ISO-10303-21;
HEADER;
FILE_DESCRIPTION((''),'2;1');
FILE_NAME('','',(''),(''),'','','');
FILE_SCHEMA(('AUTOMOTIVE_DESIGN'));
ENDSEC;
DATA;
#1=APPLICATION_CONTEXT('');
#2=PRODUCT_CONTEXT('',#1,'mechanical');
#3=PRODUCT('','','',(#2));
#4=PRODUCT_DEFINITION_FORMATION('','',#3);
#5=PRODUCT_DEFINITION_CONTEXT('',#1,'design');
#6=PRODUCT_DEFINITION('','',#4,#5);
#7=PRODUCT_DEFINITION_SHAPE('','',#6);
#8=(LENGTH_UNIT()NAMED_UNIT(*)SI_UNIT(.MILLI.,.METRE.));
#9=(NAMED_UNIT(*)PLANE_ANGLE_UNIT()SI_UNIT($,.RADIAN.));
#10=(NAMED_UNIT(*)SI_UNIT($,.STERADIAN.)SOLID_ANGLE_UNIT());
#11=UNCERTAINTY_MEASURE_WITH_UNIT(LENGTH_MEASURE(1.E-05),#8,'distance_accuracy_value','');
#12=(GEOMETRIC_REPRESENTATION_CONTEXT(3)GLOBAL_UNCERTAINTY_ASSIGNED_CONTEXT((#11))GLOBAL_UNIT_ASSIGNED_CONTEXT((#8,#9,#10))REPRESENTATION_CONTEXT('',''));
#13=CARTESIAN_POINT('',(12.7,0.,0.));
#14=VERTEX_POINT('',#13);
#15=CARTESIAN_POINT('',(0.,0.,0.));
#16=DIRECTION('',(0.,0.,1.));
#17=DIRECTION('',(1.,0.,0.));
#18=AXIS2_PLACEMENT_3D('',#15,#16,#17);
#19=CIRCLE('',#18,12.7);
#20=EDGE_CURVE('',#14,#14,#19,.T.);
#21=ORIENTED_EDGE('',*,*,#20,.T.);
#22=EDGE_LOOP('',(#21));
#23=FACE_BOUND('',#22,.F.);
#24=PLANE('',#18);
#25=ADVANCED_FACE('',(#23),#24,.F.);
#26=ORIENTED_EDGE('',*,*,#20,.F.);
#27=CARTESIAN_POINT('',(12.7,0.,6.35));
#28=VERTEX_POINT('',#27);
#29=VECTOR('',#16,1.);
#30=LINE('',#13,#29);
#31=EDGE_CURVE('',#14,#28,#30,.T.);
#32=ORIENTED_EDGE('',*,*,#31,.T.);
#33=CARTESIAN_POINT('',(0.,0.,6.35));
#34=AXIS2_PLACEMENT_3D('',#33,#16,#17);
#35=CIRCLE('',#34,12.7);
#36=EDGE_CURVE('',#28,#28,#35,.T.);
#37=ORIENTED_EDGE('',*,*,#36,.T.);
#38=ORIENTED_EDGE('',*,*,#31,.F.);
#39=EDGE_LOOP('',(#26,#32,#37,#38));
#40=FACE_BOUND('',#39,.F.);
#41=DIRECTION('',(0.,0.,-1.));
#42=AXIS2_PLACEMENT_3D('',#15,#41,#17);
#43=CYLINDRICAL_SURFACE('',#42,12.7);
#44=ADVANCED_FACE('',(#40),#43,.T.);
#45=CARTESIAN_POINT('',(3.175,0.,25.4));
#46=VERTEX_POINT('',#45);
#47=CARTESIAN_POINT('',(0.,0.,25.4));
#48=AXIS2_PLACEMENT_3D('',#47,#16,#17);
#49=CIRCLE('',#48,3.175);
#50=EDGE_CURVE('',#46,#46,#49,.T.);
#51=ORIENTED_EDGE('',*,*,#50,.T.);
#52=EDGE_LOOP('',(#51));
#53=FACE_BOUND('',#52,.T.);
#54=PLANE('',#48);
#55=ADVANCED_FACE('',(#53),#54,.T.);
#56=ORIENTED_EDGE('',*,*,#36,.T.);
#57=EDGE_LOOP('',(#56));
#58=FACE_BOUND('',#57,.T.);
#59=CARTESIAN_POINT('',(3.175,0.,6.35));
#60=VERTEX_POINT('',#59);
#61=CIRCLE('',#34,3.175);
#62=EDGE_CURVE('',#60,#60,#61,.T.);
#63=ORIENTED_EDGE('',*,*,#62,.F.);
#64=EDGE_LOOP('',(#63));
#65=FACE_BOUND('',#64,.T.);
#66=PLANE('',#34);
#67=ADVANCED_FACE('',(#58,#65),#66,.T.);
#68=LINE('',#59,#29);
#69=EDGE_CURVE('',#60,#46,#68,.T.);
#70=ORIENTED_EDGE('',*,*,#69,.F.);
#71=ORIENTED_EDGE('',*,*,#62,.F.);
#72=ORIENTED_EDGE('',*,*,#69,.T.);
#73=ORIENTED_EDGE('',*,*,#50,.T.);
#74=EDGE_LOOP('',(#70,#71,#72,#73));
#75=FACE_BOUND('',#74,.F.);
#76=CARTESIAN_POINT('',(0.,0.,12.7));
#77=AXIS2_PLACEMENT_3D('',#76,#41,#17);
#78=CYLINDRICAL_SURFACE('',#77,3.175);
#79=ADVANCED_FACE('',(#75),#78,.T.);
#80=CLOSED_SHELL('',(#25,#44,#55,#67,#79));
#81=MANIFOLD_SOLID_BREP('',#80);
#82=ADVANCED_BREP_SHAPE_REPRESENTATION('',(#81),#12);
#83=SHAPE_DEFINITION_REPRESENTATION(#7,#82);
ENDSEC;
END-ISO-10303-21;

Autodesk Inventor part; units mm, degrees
ref_plane "YZ Plane" through (0, 0, 0) normal (1, 0, 0) x (0, 1, 0)
ref_plane "XZ Plane" through (0, 0, 0) normal (0, 1, 0) x (-1, 0, 0)
ref_plane "XY Plane" through (0, 0, 0) normal (0, 0, 1) x (1, 0, 0)
sketch "Sketch1" plane through (0, 0, 0) normal (0, 0, 1) x (1, 0, 0)
  circle A0 centre (0, 0) radius 12.7
  dimension "d0" = 25.4
extrude "Extrusion1" add sketch "Sketch1" along normal blind 6.35
sketch "Sketch2" plane through (0, 0, 6.35) normal (0, 0, 1) x (1, 0, 0)
  circle A0 centre (0, 0) radius 3.175
  dimension "d3" = 6.35
extrude "Extrusion2" add sketch "Sketch2" along normal blind 6.35
sketch "Sketch3" plane through (0, 0, 12.7) normal (0, 0, 1) x (1, 0, 0)
  circle A0 centre (0, 0) radius 3.175
extrude "Extrusion3" add sketch "Sketch3" along normal blind 12.7
properties part number "Handle"
